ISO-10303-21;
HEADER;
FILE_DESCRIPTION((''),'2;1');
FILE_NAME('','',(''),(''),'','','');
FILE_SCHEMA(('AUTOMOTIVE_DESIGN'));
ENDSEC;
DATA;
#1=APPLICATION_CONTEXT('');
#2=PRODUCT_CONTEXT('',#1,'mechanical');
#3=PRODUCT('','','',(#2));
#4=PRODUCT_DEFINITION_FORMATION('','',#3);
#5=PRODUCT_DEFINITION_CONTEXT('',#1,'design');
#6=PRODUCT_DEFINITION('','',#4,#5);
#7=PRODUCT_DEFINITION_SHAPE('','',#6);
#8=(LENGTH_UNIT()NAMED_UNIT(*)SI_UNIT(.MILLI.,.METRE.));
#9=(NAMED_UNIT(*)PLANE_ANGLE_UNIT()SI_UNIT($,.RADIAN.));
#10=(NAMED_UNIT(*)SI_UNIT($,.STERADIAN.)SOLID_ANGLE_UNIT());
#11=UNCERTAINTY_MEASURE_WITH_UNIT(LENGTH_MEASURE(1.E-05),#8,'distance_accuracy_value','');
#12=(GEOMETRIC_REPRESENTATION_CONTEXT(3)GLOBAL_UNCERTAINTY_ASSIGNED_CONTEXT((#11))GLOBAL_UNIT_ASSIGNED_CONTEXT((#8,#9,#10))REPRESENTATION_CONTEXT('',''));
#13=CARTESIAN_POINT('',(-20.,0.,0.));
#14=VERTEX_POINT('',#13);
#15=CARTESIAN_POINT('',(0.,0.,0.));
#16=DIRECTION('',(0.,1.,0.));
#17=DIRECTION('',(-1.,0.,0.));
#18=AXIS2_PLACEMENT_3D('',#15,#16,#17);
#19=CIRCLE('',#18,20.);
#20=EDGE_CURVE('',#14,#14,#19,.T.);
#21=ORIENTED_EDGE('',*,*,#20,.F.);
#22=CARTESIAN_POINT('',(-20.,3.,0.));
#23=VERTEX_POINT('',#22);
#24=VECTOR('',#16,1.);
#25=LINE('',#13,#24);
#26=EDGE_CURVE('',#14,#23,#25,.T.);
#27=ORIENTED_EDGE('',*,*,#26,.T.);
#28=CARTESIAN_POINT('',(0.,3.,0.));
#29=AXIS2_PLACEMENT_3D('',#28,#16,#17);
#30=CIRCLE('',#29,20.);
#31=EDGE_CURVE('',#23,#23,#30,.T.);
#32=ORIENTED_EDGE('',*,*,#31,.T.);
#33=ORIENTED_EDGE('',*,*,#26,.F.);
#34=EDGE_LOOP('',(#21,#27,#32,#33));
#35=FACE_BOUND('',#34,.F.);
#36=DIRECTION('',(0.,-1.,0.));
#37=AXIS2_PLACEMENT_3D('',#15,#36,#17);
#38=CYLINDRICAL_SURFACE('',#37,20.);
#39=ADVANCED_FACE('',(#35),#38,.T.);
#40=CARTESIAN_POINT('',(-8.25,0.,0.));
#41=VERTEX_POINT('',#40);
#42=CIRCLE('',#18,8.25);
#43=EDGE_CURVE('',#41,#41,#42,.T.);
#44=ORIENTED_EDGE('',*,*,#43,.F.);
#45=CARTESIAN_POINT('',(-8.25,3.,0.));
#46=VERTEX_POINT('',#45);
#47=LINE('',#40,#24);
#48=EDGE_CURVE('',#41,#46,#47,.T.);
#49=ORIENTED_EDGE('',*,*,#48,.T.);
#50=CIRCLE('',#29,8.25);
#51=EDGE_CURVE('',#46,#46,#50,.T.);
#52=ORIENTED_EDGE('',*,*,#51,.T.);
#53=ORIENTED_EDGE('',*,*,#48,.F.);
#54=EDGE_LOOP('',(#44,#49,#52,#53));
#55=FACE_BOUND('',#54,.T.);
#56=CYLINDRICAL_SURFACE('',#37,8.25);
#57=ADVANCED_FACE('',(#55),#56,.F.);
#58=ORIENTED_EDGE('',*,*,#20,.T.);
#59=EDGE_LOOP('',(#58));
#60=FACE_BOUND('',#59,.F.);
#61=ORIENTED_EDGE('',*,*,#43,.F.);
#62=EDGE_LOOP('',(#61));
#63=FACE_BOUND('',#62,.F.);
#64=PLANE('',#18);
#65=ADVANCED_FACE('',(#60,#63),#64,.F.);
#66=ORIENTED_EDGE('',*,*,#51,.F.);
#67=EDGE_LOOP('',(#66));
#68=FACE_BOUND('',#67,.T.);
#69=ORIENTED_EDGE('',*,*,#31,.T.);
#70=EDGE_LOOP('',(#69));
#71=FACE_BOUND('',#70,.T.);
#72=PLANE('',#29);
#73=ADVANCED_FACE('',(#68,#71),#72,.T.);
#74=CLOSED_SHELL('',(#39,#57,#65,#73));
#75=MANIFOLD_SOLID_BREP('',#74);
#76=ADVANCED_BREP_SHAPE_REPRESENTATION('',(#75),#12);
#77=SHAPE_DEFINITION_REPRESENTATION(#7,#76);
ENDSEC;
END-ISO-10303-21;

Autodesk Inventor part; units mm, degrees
ref_plane "YZ Plane" through (0, 0, 0) normal (1, 0, 0) x (0, 1, 0)
ref_plane "XZ Plane" through (0, 0, 0) normal (0, 1, 0) x (-1, 0, 0)
ref_plane "XY Plane" through (0, 0, 0) normal (0, 0, 1) x (1, 0, 0)
sketch "Szkic1" plane through (0, 0, 0) normal (0, 1, 0) x (-1, 0, 0)
  circle A0 centre (0, 0) radius 20
  circle A1 centre (0, 0) radius 8.25
  dimension "d0" = 40
  dimension "d1" = 16.5
extrude "Wyciągnięcie proste1" add sketch "Szkic1" along normal blind 3
properties part number "podkladka" material "Tytan"
